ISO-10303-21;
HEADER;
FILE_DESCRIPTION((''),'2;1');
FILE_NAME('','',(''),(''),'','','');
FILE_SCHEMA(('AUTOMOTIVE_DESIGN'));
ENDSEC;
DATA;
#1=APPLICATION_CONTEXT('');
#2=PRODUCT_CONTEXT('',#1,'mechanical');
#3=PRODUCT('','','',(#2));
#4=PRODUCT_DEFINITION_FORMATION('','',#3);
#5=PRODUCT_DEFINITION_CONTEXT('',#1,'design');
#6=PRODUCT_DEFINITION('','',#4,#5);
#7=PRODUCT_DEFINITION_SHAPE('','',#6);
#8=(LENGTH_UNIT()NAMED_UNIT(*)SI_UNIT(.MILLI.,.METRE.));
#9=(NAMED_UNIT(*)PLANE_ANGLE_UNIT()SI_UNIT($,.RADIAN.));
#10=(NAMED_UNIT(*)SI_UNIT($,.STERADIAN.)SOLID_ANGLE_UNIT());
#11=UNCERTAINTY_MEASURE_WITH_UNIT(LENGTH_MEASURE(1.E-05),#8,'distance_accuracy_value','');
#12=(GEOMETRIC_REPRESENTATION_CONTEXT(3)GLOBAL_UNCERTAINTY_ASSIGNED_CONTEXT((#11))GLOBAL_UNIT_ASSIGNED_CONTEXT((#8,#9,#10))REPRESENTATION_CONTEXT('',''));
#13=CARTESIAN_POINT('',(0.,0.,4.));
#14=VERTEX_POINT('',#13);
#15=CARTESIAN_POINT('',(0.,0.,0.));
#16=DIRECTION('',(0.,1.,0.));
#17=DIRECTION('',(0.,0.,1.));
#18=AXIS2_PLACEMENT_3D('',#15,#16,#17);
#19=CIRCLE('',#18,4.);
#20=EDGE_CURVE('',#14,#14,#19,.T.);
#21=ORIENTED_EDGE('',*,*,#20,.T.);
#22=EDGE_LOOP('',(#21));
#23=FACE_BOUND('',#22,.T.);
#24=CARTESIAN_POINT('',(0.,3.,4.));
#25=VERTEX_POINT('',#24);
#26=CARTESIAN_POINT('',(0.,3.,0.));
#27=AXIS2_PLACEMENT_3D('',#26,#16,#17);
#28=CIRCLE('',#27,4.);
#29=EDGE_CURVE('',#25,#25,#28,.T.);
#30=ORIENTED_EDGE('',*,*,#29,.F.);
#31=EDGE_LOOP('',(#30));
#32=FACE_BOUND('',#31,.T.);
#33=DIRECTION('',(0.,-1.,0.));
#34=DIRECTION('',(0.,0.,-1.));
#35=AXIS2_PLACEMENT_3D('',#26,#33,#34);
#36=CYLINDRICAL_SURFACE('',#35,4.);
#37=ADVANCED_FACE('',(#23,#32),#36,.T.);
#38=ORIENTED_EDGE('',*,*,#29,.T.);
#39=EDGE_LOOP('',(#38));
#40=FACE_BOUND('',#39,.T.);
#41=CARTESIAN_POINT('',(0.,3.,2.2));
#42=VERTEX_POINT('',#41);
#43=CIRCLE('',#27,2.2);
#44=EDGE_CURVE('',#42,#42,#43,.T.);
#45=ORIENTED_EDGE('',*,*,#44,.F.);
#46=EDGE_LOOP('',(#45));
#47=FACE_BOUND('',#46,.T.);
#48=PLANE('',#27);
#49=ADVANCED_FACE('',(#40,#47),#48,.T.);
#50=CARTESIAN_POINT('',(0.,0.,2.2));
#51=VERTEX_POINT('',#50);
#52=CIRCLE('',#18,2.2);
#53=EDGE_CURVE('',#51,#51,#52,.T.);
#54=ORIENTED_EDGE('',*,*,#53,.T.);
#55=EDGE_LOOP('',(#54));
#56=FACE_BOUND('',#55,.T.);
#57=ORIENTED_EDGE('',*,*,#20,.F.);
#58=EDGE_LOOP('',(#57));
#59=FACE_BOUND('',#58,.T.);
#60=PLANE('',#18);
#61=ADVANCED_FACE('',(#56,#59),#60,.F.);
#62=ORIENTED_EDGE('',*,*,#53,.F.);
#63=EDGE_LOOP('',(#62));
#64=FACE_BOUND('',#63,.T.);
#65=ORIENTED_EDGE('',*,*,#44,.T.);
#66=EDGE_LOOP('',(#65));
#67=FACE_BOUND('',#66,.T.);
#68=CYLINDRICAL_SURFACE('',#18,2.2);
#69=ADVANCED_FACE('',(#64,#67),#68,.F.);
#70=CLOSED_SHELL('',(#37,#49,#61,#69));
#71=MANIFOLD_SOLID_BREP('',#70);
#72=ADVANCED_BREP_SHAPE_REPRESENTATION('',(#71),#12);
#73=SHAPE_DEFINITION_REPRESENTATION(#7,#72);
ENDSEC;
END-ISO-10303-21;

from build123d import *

# Parameters (mm, degrees)
SKETCH1_R           = 4
BOSS_EXTRUDE1_DEPTH = 3
SKETCH2_R           = 2.2
CUT_EXTRUDE1_DEPTH  = 3


with BuildPart() as part:
    # Sketch1 → Boss-Extrude1 (new body)
    with BuildSketch(Plane(origin=(0, 0, 0), x_dir=(1, 0, 0), z_dir=(0, 1, 0))):
        with Locations(Location((0, 0, 0), (0, 0, 270))):
            Circle(SKETCH1_R)
    extrude(amount=BOSS_EXTRUDE1_DEPTH)

    # Sketch2 → Cut-Extrude1 (cut)
    with BuildSketch(Plane(origin=(0, 3, 0), x_dir=(1, 0, 0), z_dir=(0, 1, 0))):
        with Locations(Location((0, 0, 0), (0, 0, 270))):
            Circle(SKETCH2_R)
    extrude(amount=-CUT_EXTRUDE1_DEPTH, mode=Mode.SUBTRACT)


solid = part.part
